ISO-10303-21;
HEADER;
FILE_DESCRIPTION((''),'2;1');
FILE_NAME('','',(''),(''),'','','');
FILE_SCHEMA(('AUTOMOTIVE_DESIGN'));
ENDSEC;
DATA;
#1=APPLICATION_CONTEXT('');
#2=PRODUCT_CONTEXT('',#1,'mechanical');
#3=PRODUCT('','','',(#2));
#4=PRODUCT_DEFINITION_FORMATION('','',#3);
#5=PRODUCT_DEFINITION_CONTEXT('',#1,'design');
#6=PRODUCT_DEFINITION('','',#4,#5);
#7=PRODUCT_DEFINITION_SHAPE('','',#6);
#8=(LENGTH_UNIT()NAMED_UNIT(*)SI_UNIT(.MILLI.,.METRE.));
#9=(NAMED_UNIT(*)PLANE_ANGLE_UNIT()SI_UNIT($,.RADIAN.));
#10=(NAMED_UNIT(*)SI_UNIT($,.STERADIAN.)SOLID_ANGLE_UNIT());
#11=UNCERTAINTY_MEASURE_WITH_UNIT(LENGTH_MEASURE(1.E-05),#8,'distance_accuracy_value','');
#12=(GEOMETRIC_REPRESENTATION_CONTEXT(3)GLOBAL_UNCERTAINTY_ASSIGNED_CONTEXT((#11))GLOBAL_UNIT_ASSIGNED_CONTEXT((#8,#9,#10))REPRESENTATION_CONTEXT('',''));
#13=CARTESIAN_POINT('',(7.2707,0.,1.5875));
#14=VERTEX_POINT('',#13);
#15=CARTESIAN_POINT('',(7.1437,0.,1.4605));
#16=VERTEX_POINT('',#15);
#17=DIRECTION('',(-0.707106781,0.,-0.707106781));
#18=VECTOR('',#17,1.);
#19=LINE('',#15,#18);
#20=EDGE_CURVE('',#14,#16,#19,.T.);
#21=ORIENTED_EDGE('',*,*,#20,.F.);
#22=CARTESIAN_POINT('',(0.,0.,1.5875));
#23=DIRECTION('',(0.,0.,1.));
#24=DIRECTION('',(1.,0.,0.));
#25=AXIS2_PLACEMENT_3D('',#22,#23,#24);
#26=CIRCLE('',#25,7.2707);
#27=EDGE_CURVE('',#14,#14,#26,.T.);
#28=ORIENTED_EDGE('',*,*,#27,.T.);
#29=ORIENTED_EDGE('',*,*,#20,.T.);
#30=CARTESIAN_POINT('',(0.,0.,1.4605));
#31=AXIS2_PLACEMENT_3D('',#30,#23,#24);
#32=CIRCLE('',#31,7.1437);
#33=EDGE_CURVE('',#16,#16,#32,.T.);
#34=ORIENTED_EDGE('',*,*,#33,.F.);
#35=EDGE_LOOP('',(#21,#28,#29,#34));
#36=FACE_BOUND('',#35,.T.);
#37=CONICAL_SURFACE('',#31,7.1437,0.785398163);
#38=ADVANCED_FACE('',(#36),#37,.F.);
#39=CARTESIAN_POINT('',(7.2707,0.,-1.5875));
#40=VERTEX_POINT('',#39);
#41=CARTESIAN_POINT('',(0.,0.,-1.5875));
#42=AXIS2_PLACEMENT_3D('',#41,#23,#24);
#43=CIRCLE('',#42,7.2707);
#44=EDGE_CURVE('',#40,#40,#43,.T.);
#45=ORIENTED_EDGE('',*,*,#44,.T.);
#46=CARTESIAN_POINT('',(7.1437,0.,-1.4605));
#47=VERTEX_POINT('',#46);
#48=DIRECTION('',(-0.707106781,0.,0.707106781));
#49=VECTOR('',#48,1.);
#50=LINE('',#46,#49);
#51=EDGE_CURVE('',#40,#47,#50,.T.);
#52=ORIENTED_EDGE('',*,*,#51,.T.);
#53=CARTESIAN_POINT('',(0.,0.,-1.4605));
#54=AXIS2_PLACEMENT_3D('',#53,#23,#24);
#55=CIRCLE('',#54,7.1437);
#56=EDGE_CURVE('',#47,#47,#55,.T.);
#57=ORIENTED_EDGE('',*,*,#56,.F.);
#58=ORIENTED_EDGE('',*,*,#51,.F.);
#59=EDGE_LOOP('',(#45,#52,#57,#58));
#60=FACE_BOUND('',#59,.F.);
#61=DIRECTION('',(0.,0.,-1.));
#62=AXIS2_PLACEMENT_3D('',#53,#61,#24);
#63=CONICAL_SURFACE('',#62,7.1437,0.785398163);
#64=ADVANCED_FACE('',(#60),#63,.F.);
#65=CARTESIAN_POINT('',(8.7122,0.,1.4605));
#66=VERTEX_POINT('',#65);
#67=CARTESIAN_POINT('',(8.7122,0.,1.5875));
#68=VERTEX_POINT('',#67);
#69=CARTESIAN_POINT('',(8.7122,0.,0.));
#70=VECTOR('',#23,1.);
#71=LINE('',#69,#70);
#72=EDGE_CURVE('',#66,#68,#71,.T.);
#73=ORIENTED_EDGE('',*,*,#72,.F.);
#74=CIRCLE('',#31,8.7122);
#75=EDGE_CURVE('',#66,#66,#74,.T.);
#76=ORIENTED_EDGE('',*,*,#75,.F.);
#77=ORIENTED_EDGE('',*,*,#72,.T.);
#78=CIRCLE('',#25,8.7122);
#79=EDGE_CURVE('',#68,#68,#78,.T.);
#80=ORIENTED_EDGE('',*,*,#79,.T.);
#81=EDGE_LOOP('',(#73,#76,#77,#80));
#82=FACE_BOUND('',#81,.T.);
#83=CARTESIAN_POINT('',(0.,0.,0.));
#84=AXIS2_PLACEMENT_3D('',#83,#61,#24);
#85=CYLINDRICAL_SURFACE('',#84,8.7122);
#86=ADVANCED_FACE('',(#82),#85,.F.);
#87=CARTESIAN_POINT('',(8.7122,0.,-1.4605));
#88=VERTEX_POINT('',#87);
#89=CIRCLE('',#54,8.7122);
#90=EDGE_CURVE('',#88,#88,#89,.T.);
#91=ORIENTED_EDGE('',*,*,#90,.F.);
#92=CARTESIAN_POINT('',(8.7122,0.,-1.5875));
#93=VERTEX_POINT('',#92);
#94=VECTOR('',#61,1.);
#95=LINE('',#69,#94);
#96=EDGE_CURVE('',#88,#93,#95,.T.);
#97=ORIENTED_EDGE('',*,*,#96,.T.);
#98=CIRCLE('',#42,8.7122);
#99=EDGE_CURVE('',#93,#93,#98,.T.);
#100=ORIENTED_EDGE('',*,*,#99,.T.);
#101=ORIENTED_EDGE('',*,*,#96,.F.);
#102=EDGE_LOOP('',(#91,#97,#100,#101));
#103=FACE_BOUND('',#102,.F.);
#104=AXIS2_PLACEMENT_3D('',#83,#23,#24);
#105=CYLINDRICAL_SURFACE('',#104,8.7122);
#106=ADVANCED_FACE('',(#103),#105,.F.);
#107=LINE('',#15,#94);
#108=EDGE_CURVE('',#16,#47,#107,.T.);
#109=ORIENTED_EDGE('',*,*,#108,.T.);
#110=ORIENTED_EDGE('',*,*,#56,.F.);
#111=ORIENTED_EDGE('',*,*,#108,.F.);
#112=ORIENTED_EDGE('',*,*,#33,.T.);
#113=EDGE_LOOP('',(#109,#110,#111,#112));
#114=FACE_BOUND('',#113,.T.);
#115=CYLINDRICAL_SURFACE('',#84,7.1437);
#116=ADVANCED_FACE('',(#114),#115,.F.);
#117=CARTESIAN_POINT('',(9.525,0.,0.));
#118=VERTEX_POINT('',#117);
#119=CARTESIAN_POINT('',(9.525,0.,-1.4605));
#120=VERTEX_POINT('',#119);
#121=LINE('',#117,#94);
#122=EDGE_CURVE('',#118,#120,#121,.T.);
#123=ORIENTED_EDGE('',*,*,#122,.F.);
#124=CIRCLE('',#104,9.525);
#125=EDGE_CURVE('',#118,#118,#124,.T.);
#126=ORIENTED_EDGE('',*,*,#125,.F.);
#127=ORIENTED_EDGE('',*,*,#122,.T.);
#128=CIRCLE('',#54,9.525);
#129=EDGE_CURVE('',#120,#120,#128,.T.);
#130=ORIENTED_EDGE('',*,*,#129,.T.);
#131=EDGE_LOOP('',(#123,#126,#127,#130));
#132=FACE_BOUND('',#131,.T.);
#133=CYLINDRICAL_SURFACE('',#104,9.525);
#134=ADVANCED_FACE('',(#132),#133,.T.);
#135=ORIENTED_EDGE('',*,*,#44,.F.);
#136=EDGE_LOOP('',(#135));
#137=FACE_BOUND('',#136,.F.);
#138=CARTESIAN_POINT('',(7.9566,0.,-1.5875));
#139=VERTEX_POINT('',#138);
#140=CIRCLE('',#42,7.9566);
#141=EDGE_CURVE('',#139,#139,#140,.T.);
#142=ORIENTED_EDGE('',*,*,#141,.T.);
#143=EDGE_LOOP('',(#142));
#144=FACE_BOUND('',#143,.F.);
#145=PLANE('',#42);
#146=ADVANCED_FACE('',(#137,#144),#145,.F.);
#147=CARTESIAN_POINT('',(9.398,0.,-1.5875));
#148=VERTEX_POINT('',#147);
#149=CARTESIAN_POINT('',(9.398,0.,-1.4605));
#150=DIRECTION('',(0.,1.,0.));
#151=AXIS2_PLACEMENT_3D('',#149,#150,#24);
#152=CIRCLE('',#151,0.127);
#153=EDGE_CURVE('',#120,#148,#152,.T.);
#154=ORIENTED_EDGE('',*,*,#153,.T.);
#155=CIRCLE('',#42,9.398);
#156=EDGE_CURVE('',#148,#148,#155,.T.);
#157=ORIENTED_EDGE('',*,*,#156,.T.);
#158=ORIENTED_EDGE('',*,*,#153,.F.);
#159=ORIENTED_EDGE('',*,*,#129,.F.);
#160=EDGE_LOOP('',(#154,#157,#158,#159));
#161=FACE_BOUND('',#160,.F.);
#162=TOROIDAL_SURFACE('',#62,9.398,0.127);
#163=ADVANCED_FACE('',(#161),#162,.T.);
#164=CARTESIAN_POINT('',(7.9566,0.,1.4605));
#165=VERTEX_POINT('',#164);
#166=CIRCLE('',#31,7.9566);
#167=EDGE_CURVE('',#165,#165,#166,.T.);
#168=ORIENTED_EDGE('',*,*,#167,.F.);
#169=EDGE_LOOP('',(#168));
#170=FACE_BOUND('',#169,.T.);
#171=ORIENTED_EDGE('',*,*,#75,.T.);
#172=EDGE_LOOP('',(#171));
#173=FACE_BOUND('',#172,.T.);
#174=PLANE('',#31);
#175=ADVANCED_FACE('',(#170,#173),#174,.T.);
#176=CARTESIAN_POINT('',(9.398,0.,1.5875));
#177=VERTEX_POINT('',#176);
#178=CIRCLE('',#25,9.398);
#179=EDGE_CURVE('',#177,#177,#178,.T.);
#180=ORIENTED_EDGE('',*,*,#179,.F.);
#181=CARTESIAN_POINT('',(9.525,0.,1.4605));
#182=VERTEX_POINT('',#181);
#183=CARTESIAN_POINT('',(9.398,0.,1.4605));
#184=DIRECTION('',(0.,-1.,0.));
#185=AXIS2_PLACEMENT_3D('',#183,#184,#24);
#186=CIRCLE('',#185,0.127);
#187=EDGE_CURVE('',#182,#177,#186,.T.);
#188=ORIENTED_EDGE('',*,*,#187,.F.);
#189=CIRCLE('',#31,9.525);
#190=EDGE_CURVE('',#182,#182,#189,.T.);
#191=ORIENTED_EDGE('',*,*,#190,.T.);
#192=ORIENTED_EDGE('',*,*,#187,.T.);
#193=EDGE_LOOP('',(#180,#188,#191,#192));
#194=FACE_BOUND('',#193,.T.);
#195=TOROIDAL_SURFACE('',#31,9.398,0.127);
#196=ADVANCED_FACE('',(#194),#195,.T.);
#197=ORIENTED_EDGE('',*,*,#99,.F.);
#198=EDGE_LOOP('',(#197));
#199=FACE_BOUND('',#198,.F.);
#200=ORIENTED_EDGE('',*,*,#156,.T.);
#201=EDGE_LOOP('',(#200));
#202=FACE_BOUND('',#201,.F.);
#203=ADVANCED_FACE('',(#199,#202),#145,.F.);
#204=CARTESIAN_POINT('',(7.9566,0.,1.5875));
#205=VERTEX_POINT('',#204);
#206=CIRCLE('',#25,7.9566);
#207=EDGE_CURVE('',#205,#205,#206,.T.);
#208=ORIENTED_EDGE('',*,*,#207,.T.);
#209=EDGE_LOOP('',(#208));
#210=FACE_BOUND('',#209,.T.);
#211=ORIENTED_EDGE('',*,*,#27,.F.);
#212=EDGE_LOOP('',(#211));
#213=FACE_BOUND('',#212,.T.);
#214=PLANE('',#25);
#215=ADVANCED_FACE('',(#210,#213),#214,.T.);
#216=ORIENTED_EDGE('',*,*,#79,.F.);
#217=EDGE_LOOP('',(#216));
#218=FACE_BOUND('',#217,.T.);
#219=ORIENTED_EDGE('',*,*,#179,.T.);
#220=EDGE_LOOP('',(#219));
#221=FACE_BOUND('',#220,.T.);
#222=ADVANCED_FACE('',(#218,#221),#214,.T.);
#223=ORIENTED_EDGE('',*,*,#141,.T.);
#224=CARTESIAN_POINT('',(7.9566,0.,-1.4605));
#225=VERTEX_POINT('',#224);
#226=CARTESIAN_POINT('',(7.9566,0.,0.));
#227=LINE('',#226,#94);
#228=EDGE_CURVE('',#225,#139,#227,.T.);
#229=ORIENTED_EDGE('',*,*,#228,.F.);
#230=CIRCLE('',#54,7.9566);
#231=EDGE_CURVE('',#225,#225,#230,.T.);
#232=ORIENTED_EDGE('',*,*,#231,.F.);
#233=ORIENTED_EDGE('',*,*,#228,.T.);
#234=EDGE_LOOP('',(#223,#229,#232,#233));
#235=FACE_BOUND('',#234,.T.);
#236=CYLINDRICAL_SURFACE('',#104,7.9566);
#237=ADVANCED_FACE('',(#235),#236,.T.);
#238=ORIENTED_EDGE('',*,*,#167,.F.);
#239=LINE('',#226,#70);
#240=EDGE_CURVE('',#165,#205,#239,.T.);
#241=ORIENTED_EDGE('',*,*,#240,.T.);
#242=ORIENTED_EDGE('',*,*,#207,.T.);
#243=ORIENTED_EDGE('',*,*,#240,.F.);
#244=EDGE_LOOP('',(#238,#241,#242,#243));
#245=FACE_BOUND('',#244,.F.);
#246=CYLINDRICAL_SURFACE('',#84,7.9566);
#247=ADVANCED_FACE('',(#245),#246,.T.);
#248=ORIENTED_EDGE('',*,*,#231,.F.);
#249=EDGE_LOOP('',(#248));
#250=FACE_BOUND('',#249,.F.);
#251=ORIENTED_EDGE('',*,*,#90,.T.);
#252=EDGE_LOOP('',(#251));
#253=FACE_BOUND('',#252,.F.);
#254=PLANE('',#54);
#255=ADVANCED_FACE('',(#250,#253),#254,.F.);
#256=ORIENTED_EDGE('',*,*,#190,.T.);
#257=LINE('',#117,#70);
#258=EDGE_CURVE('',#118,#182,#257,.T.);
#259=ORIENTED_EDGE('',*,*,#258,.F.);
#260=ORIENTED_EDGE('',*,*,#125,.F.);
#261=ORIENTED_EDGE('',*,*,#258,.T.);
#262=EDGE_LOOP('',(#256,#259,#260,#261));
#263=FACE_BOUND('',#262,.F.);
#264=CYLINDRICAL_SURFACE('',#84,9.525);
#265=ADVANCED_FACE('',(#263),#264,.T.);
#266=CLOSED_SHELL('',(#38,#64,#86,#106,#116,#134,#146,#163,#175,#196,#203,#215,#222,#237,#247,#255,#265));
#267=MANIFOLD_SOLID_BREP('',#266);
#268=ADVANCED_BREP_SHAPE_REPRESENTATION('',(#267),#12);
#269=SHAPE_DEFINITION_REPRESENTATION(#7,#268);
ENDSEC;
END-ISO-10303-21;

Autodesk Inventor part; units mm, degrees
ref_plane "YZ Plane" through (0, 0, 0) normal (1, 0, 0) x (0, 1, 0)
ref_plane "XZ Plane" through (0, 0, 0) normal (0, 1, 0) x (-1, 0, 0)
ref_plane "XY Plane" through (0, 0, 0) normal (0, 0, 1) x (1, 0, 0)
sketch "Sketch1" plane through (0, 0, 0) normal (0, 0, 1) x (1, 0, 0)
  circle A0 centre (0, 0) radius 7.1437
  circle A1 centre (0, 0) radius 7.9566
  circle A2 centre (0, 0) radius 9.525
  circle A3 centre (0, 0) radius 8.7122
  dimension "d0" = 14.2875
  dimension "d1" = 0.8128
  dimension "d2" = 19.05
  dimension "d3" = 0.8128
extrude "Extrusion1" add sketch "Sketch1" along normal mid plane 3.175
fillet "Fillet1" radius 0.127 2 edges at (-9.525, 0, 1.5875) (-9.525, 0, -1.5875)
chamfer "Chamfer1" distance 0.127 angle 45 2 edges at (-7.1437, 0, 1.5875) (-7.1437, 0, -1.5875)
extrude "Extrusion2" add sketch "Sketch1" along normal mid plane 2.921 contours A3
properties part number "Front Hub Bearing"
